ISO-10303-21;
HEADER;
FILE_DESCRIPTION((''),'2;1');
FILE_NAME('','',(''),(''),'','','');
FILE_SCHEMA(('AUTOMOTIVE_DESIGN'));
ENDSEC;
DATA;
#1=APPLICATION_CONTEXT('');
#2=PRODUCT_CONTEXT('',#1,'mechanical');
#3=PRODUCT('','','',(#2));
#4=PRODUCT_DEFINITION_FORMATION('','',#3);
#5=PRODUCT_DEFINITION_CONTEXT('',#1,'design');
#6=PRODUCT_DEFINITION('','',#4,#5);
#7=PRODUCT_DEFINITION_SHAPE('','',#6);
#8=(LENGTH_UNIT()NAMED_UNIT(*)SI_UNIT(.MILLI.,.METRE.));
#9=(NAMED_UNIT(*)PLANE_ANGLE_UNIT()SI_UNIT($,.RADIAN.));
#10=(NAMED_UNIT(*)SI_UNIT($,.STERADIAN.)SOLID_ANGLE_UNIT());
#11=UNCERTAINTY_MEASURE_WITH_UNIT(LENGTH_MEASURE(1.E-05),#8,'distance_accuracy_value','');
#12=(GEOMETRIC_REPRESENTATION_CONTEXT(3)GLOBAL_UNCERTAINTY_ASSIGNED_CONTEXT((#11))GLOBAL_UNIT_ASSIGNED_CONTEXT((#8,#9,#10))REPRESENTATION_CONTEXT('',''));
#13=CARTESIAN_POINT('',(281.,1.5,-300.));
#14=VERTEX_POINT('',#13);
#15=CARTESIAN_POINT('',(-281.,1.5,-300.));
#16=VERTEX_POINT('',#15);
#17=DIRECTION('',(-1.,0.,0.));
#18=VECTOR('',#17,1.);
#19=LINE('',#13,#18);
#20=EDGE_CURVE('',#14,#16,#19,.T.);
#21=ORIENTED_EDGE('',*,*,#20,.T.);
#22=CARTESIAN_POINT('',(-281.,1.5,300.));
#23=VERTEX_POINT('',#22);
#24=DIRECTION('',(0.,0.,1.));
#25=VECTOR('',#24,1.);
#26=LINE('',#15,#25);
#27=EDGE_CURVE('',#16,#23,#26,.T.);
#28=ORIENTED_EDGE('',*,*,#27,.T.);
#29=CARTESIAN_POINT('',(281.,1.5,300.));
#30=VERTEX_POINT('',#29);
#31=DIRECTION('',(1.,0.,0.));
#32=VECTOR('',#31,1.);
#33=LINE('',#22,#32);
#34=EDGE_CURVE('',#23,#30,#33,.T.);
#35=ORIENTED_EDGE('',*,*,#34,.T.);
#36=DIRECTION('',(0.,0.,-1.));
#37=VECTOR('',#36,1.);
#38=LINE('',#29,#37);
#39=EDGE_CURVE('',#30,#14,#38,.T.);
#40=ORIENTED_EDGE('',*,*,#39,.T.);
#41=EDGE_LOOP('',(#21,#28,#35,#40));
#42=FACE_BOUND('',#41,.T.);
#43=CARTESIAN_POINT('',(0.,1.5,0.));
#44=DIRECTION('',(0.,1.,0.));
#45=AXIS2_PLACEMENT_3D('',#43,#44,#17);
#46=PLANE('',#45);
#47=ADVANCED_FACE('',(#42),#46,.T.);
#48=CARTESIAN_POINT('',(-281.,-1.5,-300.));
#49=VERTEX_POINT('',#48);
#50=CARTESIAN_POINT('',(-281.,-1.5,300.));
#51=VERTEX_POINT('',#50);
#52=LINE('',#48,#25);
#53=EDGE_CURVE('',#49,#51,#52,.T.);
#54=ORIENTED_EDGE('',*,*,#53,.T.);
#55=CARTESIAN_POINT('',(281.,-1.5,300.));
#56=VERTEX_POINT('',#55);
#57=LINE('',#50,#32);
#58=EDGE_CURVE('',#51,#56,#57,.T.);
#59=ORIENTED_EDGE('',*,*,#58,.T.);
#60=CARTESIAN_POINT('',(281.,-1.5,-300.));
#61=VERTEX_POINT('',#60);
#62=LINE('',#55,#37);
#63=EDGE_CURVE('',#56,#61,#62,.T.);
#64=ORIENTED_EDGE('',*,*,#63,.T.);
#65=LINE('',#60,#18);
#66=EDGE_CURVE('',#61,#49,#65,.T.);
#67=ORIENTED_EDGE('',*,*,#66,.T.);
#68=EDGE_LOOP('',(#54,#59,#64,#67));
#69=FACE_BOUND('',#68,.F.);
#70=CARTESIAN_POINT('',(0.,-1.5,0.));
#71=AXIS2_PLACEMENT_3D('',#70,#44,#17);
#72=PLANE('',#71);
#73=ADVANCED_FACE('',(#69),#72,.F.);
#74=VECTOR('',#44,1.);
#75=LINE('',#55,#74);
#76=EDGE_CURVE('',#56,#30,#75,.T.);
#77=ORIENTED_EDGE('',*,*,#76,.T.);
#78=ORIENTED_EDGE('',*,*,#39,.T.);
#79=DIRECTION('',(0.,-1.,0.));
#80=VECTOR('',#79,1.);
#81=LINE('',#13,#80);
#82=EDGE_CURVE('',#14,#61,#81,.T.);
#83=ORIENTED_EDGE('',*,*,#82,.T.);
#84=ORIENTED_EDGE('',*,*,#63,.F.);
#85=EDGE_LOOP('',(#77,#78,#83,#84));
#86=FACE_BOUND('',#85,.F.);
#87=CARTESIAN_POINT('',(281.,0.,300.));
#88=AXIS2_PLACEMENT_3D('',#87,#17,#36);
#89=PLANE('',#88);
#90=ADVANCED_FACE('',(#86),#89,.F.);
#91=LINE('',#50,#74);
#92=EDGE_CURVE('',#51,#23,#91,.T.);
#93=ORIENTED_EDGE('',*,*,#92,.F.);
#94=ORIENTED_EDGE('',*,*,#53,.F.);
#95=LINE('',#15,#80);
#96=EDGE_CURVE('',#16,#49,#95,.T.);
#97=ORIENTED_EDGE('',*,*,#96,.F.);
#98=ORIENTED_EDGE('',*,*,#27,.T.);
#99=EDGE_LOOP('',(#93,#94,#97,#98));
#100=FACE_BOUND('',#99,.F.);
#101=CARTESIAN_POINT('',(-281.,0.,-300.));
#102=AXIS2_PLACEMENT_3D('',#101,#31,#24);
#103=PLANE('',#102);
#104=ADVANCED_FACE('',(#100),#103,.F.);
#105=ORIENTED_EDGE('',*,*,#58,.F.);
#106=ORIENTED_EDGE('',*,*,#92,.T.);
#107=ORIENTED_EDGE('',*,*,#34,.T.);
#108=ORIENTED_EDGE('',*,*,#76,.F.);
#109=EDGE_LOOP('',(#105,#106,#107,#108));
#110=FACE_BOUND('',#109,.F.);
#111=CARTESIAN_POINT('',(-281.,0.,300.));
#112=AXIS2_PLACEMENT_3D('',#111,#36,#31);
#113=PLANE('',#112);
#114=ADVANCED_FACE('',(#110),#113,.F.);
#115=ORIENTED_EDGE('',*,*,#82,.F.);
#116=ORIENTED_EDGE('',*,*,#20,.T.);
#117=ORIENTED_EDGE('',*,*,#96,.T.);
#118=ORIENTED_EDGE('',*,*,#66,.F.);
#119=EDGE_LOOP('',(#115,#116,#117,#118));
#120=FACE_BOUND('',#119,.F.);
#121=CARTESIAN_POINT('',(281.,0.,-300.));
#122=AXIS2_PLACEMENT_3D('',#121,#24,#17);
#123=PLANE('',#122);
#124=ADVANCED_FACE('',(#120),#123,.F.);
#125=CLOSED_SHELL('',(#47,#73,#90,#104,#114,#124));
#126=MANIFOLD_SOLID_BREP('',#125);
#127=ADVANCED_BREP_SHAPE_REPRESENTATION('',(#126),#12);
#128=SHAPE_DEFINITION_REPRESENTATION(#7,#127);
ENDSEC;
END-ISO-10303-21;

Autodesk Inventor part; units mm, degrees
ref_plane "YZ Plane" through (0, 0, 0) normal (1, 0, 0) x (0, 1, 0)
ref_plane "XZ Plane" through (0, 0, 0) normal (0, 1, 0) x (-1, 0, 0)
ref_plane "XY Plane" through (0, 0, 0) normal (0, 0, 1) x (1, 0, 0)
sketch "Sketch1" plane through (0, 0, 0) normal (0, 1, 0) x (-1, 0, 0)
  line L0 (281, 300) -> (-281, 300)
  line L1 (-281, 300) -> (-281, -300)
  line L2 (-281, -300) -> (281, -300)
  line L3 (281, -300) -> (281, 300)
  line L4 (281, 300) -> (-281, -300) construction
  line L5 (-281, 300) -> (281, -300) construction
  point P0 (0, 0)
  dimension "d0" = 562
  dimension "d1" = 600
extrude "Extrusion1" add sketch "Sketch1" along normal mid plane 3
properties part number "K"
